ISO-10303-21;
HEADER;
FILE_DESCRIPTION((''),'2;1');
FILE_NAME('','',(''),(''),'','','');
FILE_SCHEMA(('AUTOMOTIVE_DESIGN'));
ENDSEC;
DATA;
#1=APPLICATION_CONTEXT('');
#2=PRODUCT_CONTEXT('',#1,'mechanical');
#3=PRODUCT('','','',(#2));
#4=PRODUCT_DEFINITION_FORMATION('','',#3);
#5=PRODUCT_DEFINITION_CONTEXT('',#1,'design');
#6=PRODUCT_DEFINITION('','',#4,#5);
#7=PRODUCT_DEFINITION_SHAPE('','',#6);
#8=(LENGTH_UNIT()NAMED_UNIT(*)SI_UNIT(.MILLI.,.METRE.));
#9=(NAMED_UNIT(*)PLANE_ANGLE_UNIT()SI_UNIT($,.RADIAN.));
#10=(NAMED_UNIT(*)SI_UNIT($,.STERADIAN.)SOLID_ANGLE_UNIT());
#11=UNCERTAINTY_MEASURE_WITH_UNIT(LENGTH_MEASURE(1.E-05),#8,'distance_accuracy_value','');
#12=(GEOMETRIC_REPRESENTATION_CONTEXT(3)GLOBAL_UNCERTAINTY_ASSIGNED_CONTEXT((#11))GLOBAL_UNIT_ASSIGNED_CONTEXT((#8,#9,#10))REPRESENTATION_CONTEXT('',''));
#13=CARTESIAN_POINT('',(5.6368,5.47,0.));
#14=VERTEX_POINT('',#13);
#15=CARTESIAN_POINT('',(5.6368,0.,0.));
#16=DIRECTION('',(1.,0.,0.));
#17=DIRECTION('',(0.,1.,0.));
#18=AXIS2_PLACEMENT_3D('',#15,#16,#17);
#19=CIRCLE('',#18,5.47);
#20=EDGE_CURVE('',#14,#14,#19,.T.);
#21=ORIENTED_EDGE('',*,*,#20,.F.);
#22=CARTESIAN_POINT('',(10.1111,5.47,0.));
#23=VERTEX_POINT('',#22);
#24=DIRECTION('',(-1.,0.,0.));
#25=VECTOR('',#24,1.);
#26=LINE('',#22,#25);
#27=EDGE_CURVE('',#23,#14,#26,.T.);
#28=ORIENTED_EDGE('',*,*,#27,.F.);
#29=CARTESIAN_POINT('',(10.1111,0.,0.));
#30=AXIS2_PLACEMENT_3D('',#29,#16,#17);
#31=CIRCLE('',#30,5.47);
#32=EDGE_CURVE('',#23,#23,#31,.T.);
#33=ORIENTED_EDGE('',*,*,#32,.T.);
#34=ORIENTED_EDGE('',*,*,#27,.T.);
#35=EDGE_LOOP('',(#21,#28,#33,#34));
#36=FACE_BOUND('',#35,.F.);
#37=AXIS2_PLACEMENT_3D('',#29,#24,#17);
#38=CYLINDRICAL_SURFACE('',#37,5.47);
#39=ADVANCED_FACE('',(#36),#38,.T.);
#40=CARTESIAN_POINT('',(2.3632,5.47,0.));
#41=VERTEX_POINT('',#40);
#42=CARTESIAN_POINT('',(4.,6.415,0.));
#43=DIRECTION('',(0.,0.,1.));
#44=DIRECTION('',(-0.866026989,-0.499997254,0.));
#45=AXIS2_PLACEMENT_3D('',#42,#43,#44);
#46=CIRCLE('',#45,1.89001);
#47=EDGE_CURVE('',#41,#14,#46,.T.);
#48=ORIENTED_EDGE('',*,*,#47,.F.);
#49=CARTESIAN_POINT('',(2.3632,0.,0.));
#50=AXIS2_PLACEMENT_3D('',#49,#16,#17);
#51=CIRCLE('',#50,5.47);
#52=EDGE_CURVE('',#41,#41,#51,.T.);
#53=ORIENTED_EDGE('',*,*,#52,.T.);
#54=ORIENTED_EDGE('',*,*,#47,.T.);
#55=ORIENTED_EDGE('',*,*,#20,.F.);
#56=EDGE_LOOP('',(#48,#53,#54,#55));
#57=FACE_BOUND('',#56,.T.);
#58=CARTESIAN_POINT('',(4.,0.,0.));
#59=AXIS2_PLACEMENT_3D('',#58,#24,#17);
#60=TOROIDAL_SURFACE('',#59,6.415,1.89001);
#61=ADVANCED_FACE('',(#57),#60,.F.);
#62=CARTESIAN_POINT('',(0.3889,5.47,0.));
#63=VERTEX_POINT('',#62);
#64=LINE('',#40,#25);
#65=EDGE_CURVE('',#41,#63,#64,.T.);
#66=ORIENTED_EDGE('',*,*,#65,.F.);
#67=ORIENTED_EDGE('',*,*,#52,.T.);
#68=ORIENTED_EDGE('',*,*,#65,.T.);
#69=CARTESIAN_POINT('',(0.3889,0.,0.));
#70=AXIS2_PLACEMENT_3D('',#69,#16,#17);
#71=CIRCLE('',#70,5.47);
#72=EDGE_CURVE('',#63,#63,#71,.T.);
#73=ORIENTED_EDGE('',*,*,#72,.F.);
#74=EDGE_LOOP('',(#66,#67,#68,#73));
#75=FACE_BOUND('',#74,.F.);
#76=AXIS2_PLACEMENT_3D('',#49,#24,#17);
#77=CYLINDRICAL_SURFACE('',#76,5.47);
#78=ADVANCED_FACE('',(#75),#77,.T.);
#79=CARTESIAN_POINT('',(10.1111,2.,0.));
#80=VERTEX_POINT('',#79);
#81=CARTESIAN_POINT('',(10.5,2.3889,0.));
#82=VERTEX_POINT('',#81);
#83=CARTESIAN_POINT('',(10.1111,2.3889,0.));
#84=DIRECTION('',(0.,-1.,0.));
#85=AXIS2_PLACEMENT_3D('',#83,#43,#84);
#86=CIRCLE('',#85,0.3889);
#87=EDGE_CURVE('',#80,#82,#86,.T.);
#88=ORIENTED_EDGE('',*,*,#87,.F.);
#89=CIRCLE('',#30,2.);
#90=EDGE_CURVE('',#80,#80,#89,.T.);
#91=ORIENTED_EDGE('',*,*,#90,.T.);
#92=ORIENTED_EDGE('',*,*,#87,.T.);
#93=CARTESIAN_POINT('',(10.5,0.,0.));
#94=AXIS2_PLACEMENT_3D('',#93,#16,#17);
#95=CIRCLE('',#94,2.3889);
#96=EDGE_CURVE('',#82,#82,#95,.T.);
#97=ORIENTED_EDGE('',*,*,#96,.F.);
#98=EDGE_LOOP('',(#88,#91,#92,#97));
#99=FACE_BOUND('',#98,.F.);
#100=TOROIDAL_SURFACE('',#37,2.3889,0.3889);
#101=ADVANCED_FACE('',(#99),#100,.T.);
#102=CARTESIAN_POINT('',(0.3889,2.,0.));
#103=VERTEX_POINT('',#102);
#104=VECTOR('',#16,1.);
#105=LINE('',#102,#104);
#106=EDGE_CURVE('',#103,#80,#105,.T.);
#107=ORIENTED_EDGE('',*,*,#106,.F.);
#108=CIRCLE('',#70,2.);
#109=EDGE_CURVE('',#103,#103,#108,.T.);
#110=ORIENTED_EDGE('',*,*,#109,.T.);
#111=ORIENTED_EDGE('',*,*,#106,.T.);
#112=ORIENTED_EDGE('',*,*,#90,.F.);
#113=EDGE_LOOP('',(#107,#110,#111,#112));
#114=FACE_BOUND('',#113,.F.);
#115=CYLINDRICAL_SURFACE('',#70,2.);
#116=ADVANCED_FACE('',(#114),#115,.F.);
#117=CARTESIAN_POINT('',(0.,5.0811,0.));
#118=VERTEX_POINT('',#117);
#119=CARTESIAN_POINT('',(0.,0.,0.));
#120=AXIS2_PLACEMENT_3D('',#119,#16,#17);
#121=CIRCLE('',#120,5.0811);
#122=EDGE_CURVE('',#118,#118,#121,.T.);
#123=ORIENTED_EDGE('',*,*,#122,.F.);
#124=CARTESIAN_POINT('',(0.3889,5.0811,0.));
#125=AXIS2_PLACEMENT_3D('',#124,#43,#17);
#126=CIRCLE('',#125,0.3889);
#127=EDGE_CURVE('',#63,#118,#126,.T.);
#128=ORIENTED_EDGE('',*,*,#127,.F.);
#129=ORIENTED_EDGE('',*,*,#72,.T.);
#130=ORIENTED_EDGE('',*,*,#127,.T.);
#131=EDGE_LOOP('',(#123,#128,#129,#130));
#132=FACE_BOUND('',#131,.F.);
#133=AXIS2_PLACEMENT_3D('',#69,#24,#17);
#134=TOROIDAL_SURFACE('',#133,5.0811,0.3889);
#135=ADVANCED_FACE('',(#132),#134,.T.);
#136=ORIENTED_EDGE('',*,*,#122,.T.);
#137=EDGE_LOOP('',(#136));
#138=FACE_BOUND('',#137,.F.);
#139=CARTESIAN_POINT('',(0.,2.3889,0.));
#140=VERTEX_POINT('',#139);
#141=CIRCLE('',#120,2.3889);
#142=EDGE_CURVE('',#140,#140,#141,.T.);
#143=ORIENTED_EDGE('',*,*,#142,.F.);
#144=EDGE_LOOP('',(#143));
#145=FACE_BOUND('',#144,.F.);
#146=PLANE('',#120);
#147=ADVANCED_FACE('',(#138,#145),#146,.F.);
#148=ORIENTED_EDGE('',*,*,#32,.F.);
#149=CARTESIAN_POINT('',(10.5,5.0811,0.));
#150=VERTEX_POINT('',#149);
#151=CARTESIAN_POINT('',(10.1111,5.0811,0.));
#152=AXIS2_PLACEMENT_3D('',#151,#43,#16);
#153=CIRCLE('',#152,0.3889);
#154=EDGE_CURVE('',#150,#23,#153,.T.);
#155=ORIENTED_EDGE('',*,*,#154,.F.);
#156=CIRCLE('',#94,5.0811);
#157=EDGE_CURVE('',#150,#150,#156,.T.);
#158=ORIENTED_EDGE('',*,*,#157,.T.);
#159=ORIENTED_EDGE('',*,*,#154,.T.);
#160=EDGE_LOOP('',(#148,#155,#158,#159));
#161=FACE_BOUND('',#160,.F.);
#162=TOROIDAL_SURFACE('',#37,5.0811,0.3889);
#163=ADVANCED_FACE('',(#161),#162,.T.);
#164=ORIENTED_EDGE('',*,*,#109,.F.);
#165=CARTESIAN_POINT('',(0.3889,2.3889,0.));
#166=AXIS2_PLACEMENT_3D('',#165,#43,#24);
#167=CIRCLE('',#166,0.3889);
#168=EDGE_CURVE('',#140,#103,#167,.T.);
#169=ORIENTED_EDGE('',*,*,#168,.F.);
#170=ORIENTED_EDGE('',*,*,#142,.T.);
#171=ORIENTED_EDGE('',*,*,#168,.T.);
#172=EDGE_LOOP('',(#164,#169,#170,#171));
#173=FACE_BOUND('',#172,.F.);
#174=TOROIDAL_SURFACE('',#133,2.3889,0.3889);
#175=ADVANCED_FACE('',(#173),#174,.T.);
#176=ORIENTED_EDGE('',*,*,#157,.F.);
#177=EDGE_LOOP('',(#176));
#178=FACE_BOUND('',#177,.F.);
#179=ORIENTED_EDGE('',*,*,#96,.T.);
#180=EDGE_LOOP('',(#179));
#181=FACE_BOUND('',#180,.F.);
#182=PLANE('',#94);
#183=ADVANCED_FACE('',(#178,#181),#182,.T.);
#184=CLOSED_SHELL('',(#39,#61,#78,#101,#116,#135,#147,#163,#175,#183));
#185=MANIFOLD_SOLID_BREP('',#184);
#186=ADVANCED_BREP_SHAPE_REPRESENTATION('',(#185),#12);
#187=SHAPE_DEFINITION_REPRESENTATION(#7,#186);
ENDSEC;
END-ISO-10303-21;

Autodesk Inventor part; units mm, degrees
sketch "Sketch_4" plane through (0, 0, 0) normal (0, 0, 1) x (1, 0, 0)
  line L0 (10.5, 0) -> (0, 0)
  arc A0 (0, 2.3889) -> (0.3889, 2) centre (0.3889, 2.3889) ccw
  line L1 (0.3889, 2) -> (10.1111, 2)
  arc A1 (10.1111, 2) -> (10.5, 2.3889) centre (10.1111, 2.3889) ccw
  line L2 (10.5, 2.3889) -> (10.5, 5.0811)
  arc A2 (10.5, 5.0811) -> (10.1111, 5.47) centre (10.1111, 5.0811) ccw
  line L3 (10.1111, 5.47) -> (5.6368, 5.47)
  arc A3 (2.3632, 5.47) -> (5.6368, 5.47) centre (4, 6.415) ccw
  line L4 (2.3632, 5.47) -> (0.3889, 5.47)
  arc A4 (0.3889, 5.47) -> (0, 5.0811) centre (0.3889, 5.0811) ccw
  line L5 (0, 5.0811) -> (0, 2.3889)
revolve "Revolution1" add sketch "Sketch_4" angle 360 about axis through (10.5, 0, 0) along (1, 0, 0)
ref_plane "Dummy_IR_XY" through (0, 0, 0) normal (1, 0, 0) x (0, 0, -1)
ref_plane "Dummy_IR_YZ" through (0, 0, 0) normal (0, 0, -1) x (0, 1, 0)
ref_plane "Dummy_IR_ZX" through (0, 0, 0) normal (0, 1, 0) x (1, 0, 0)
ref_plane "IR_OR_XY" through (0, 0, 0) normal (1, 0, 0) x (0, 0, -1)
ref_plane "IR_OR_YZ" through (0, 0, 0) normal (0, 0, -1) x (0, 1, 0)
ref_plane "IR_OR_ZX" through (0, 0, 0) normal (0, 1, 0) x (1, 0, 0)
properties part number "040400DR-22-H4W(0.5)3_ir"
